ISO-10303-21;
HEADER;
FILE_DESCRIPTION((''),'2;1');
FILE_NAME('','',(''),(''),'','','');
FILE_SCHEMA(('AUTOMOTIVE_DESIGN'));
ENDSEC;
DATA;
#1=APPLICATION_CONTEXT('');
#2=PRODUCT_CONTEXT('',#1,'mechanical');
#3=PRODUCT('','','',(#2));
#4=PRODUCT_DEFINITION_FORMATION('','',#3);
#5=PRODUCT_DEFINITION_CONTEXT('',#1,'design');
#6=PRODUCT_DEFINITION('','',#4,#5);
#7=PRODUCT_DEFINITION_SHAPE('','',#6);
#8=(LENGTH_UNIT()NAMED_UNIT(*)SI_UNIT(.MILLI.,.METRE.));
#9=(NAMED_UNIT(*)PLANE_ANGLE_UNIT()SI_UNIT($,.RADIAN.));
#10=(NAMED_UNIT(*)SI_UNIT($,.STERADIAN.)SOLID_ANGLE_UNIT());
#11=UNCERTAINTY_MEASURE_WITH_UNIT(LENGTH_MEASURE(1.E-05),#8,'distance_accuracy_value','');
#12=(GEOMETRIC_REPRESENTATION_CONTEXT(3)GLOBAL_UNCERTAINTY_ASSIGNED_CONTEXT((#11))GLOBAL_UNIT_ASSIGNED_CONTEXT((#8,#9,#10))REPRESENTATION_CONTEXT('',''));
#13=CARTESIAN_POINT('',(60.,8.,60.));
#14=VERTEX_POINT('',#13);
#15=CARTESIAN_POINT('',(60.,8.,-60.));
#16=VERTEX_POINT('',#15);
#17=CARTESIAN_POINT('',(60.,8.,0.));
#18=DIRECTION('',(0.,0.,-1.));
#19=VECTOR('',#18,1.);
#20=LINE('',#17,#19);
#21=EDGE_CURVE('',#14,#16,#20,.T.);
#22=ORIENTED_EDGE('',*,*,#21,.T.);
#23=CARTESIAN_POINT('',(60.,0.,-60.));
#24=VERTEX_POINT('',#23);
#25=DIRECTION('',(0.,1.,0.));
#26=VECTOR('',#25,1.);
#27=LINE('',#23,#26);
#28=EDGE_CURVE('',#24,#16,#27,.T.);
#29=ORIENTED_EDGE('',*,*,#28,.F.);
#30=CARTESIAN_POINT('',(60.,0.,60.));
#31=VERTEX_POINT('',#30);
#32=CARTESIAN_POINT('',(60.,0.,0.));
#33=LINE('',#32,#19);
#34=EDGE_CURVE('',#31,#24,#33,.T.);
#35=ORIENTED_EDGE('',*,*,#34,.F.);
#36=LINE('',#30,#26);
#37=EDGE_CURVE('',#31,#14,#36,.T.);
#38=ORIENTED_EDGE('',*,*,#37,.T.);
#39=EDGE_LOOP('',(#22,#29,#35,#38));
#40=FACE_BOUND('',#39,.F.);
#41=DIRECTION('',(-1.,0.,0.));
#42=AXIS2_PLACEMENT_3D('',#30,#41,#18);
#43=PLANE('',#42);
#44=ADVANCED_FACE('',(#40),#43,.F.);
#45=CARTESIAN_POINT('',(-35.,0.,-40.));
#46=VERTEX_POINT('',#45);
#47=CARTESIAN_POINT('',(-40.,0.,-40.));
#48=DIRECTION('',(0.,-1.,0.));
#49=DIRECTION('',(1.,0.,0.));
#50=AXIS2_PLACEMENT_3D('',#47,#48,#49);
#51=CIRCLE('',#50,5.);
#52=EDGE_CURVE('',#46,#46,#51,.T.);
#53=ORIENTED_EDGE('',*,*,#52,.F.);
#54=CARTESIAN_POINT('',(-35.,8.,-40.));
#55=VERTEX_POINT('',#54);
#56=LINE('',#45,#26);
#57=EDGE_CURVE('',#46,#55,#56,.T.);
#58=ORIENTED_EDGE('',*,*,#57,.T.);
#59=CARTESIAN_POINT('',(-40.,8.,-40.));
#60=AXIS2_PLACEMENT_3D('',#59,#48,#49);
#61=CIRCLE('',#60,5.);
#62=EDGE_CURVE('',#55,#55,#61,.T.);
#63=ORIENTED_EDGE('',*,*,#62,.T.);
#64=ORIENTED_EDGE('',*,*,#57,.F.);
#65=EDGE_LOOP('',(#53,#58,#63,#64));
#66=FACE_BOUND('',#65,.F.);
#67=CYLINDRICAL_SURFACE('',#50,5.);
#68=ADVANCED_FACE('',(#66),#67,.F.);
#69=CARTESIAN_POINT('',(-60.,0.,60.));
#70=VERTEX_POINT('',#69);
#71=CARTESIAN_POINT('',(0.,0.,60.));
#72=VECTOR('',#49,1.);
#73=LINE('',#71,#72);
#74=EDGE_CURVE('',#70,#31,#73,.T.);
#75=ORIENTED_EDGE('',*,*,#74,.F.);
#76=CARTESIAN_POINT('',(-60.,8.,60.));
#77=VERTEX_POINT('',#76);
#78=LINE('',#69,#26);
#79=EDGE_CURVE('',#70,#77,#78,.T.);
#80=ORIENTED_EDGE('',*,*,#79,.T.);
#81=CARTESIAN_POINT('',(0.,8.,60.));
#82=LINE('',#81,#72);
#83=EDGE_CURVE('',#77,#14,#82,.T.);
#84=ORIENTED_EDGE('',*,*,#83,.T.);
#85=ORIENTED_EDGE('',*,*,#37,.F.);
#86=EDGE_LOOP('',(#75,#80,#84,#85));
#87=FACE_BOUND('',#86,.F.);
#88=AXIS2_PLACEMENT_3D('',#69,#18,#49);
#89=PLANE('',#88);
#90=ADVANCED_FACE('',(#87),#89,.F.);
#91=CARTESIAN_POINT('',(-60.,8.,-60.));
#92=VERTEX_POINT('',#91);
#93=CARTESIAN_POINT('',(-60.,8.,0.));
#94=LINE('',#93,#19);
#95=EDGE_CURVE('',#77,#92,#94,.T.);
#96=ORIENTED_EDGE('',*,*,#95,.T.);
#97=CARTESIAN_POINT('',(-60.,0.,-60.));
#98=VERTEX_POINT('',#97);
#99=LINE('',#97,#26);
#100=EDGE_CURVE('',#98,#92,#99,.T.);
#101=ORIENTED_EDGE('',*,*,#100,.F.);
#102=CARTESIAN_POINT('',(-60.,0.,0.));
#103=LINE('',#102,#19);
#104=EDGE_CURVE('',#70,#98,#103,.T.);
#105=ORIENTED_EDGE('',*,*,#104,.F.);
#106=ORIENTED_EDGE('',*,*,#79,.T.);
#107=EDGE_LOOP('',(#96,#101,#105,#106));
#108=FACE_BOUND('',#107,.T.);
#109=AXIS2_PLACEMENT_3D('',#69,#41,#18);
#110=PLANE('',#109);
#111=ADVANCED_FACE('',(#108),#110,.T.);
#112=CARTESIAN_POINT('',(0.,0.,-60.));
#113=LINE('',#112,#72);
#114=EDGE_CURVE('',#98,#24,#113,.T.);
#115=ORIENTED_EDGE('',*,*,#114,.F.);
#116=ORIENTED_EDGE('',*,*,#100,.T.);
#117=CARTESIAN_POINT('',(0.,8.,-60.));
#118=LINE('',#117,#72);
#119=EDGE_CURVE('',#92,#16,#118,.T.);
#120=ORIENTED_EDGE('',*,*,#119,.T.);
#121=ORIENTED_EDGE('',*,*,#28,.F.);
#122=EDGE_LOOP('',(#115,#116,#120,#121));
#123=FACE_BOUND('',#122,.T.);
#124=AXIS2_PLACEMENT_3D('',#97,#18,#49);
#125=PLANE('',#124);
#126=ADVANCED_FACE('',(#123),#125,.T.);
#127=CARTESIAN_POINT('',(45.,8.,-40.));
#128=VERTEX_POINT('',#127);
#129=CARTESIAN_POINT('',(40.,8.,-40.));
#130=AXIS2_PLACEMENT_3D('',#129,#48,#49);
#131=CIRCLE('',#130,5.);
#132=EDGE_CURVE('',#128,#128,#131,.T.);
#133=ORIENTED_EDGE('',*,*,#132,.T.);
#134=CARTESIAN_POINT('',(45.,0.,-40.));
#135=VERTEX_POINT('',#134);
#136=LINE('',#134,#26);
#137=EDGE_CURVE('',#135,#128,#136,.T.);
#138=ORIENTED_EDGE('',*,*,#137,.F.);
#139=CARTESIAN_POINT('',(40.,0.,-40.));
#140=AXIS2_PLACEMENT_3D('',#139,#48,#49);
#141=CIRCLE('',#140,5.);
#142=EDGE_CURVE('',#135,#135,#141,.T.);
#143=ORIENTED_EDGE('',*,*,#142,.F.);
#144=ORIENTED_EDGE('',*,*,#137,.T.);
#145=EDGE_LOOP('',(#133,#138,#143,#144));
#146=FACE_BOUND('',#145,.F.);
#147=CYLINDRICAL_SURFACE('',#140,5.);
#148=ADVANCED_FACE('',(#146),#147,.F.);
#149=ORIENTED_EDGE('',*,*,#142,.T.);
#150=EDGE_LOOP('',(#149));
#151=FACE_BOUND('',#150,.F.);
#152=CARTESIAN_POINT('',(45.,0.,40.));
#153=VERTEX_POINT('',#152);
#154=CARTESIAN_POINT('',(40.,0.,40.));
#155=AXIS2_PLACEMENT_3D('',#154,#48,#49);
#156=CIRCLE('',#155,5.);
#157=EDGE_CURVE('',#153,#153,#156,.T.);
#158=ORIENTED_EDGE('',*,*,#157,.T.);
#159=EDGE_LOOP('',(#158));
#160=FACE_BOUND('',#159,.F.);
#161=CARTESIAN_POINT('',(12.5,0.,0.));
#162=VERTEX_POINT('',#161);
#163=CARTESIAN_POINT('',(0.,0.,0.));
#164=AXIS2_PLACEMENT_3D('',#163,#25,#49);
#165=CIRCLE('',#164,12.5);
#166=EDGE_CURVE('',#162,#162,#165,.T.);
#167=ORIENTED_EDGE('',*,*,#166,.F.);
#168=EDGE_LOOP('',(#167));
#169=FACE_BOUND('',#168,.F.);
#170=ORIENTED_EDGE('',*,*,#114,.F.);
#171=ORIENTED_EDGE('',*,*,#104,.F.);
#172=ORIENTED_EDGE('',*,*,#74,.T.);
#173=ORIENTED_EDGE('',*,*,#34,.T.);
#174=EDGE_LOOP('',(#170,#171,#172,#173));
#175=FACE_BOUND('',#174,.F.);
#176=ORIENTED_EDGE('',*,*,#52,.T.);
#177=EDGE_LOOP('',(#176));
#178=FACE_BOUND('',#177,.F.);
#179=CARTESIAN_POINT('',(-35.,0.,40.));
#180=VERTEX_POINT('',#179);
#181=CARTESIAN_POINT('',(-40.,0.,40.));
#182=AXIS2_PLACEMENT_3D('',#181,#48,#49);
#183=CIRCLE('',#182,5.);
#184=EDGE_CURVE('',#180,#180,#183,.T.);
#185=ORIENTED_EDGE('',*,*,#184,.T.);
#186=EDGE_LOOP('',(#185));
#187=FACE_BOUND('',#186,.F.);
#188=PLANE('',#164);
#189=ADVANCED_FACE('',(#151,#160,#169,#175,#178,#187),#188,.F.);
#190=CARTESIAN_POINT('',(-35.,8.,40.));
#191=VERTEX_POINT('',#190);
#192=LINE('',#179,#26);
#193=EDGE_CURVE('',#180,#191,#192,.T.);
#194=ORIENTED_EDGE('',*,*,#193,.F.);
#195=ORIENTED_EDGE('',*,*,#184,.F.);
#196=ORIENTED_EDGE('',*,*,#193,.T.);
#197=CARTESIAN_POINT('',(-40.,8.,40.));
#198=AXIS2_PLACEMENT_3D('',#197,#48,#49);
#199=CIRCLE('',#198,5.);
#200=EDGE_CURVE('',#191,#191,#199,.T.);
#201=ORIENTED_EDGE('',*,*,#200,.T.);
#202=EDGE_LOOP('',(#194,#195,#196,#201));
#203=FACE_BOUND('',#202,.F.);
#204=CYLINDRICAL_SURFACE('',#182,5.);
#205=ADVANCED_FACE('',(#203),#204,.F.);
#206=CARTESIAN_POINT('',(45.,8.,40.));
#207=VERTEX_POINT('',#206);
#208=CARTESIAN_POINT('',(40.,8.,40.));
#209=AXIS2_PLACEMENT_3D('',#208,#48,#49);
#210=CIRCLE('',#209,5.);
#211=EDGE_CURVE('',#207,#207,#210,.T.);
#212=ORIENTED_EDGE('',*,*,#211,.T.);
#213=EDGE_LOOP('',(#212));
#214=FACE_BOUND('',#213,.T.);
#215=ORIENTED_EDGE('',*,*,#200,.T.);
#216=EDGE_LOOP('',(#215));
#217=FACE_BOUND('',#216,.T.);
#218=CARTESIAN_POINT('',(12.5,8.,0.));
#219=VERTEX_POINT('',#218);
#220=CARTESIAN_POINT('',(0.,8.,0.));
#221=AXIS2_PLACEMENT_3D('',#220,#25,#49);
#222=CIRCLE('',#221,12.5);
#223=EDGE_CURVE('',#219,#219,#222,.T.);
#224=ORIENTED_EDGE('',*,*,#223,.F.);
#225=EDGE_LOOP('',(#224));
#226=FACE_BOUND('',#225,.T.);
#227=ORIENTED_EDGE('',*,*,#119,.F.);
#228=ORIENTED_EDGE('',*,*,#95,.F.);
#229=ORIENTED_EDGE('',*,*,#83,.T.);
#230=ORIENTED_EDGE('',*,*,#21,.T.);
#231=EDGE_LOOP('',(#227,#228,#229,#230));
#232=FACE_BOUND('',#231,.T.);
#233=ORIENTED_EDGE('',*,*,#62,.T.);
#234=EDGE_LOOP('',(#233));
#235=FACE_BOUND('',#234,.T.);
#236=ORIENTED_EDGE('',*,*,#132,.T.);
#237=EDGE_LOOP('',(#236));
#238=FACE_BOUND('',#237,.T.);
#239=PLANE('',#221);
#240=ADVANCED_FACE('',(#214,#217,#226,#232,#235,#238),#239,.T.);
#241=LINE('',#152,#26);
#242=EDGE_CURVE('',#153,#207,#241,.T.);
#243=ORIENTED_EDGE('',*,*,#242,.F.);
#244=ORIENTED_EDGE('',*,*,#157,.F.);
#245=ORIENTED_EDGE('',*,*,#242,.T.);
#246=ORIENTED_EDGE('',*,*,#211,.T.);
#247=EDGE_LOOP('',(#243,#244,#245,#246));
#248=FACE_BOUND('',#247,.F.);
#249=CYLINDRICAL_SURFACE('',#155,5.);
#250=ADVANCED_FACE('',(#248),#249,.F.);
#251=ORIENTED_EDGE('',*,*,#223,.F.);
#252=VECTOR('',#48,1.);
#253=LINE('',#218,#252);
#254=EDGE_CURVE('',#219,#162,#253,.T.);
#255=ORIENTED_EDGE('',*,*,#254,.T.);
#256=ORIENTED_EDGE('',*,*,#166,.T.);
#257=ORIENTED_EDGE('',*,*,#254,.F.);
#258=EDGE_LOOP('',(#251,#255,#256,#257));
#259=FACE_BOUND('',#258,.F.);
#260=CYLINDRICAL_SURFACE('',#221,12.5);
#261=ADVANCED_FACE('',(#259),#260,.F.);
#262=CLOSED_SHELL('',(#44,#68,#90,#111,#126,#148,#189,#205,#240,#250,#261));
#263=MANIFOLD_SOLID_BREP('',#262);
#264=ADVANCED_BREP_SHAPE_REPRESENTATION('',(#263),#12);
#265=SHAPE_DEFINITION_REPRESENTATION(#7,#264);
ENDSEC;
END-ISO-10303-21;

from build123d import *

# Parameters (mm, degrees)
SKETCH1_W            = 120
SKETCH1_H            = 120
BOSS_EXTRUDE1_DEPTH  = 8
SKETCH2_R            = 12.5
CUT_EXTRUDE1_DEPTH   = 10
SKETCH3_R            = 5
CUT_EXTRUDE2_DEPTH   = 10
LPATTERN1_COUNT      = 2
LPATTERN1_PITCH      = 80
LPATTERN1_COUNT_DIR2 = 2
LPATTERN1_PITCH_DIR2 = 80


with BuildPart() as part:
    # Sketch1 → Boss-Extrude1 (new body)
    with BuildSketch(Plane(origin=(0, 0, 0), x_dir=(1, 0, 0), z_dir=(0, 1, 0))):
        Rectangle(SKETCH1_W, SKETCH1_H)
    extrude(amount=BOSS_EXTRUDE1_DEPTH)

    # Sketch2 → Cut-Extrude1 (cut)
    with BuildSketch(Plane(origin=(0, 8, 0), x_dir=(1, 0, 0), z_dir=(0, 1, 0))):
        Circle(SKETCH2_R)
    extrude(amount=-CUT_EXTRUDE1_DEPTH, mode=Mode.SUBTRACT)

    # Sketch3 → Cut-Extrude2 (cut)
    with BuildSketch(Plane.XZ):
        with Locations((-40, -40)):
            Circle(SKETCH3_R)
    cut_extrude2 = extrude(amount=-CUT_EXTRUDE2_DEPTH, mode=Mode.SUBTRACT)

    # LPattern1: Cut-Extrude2 2 × 2
    with Locations(*[(j * LPATTERN1_PITCH_DIR2, 0, i * LPATTERN1_PITCH) for i in range(LPATTERN1_COUNT) for j in range(LPATTERN1_COUNT_DIR2) if (i, j) != (0, 0)]):
        add(cut_extrude2, mode=Mode.SUBTRACT)


solid = part.part
